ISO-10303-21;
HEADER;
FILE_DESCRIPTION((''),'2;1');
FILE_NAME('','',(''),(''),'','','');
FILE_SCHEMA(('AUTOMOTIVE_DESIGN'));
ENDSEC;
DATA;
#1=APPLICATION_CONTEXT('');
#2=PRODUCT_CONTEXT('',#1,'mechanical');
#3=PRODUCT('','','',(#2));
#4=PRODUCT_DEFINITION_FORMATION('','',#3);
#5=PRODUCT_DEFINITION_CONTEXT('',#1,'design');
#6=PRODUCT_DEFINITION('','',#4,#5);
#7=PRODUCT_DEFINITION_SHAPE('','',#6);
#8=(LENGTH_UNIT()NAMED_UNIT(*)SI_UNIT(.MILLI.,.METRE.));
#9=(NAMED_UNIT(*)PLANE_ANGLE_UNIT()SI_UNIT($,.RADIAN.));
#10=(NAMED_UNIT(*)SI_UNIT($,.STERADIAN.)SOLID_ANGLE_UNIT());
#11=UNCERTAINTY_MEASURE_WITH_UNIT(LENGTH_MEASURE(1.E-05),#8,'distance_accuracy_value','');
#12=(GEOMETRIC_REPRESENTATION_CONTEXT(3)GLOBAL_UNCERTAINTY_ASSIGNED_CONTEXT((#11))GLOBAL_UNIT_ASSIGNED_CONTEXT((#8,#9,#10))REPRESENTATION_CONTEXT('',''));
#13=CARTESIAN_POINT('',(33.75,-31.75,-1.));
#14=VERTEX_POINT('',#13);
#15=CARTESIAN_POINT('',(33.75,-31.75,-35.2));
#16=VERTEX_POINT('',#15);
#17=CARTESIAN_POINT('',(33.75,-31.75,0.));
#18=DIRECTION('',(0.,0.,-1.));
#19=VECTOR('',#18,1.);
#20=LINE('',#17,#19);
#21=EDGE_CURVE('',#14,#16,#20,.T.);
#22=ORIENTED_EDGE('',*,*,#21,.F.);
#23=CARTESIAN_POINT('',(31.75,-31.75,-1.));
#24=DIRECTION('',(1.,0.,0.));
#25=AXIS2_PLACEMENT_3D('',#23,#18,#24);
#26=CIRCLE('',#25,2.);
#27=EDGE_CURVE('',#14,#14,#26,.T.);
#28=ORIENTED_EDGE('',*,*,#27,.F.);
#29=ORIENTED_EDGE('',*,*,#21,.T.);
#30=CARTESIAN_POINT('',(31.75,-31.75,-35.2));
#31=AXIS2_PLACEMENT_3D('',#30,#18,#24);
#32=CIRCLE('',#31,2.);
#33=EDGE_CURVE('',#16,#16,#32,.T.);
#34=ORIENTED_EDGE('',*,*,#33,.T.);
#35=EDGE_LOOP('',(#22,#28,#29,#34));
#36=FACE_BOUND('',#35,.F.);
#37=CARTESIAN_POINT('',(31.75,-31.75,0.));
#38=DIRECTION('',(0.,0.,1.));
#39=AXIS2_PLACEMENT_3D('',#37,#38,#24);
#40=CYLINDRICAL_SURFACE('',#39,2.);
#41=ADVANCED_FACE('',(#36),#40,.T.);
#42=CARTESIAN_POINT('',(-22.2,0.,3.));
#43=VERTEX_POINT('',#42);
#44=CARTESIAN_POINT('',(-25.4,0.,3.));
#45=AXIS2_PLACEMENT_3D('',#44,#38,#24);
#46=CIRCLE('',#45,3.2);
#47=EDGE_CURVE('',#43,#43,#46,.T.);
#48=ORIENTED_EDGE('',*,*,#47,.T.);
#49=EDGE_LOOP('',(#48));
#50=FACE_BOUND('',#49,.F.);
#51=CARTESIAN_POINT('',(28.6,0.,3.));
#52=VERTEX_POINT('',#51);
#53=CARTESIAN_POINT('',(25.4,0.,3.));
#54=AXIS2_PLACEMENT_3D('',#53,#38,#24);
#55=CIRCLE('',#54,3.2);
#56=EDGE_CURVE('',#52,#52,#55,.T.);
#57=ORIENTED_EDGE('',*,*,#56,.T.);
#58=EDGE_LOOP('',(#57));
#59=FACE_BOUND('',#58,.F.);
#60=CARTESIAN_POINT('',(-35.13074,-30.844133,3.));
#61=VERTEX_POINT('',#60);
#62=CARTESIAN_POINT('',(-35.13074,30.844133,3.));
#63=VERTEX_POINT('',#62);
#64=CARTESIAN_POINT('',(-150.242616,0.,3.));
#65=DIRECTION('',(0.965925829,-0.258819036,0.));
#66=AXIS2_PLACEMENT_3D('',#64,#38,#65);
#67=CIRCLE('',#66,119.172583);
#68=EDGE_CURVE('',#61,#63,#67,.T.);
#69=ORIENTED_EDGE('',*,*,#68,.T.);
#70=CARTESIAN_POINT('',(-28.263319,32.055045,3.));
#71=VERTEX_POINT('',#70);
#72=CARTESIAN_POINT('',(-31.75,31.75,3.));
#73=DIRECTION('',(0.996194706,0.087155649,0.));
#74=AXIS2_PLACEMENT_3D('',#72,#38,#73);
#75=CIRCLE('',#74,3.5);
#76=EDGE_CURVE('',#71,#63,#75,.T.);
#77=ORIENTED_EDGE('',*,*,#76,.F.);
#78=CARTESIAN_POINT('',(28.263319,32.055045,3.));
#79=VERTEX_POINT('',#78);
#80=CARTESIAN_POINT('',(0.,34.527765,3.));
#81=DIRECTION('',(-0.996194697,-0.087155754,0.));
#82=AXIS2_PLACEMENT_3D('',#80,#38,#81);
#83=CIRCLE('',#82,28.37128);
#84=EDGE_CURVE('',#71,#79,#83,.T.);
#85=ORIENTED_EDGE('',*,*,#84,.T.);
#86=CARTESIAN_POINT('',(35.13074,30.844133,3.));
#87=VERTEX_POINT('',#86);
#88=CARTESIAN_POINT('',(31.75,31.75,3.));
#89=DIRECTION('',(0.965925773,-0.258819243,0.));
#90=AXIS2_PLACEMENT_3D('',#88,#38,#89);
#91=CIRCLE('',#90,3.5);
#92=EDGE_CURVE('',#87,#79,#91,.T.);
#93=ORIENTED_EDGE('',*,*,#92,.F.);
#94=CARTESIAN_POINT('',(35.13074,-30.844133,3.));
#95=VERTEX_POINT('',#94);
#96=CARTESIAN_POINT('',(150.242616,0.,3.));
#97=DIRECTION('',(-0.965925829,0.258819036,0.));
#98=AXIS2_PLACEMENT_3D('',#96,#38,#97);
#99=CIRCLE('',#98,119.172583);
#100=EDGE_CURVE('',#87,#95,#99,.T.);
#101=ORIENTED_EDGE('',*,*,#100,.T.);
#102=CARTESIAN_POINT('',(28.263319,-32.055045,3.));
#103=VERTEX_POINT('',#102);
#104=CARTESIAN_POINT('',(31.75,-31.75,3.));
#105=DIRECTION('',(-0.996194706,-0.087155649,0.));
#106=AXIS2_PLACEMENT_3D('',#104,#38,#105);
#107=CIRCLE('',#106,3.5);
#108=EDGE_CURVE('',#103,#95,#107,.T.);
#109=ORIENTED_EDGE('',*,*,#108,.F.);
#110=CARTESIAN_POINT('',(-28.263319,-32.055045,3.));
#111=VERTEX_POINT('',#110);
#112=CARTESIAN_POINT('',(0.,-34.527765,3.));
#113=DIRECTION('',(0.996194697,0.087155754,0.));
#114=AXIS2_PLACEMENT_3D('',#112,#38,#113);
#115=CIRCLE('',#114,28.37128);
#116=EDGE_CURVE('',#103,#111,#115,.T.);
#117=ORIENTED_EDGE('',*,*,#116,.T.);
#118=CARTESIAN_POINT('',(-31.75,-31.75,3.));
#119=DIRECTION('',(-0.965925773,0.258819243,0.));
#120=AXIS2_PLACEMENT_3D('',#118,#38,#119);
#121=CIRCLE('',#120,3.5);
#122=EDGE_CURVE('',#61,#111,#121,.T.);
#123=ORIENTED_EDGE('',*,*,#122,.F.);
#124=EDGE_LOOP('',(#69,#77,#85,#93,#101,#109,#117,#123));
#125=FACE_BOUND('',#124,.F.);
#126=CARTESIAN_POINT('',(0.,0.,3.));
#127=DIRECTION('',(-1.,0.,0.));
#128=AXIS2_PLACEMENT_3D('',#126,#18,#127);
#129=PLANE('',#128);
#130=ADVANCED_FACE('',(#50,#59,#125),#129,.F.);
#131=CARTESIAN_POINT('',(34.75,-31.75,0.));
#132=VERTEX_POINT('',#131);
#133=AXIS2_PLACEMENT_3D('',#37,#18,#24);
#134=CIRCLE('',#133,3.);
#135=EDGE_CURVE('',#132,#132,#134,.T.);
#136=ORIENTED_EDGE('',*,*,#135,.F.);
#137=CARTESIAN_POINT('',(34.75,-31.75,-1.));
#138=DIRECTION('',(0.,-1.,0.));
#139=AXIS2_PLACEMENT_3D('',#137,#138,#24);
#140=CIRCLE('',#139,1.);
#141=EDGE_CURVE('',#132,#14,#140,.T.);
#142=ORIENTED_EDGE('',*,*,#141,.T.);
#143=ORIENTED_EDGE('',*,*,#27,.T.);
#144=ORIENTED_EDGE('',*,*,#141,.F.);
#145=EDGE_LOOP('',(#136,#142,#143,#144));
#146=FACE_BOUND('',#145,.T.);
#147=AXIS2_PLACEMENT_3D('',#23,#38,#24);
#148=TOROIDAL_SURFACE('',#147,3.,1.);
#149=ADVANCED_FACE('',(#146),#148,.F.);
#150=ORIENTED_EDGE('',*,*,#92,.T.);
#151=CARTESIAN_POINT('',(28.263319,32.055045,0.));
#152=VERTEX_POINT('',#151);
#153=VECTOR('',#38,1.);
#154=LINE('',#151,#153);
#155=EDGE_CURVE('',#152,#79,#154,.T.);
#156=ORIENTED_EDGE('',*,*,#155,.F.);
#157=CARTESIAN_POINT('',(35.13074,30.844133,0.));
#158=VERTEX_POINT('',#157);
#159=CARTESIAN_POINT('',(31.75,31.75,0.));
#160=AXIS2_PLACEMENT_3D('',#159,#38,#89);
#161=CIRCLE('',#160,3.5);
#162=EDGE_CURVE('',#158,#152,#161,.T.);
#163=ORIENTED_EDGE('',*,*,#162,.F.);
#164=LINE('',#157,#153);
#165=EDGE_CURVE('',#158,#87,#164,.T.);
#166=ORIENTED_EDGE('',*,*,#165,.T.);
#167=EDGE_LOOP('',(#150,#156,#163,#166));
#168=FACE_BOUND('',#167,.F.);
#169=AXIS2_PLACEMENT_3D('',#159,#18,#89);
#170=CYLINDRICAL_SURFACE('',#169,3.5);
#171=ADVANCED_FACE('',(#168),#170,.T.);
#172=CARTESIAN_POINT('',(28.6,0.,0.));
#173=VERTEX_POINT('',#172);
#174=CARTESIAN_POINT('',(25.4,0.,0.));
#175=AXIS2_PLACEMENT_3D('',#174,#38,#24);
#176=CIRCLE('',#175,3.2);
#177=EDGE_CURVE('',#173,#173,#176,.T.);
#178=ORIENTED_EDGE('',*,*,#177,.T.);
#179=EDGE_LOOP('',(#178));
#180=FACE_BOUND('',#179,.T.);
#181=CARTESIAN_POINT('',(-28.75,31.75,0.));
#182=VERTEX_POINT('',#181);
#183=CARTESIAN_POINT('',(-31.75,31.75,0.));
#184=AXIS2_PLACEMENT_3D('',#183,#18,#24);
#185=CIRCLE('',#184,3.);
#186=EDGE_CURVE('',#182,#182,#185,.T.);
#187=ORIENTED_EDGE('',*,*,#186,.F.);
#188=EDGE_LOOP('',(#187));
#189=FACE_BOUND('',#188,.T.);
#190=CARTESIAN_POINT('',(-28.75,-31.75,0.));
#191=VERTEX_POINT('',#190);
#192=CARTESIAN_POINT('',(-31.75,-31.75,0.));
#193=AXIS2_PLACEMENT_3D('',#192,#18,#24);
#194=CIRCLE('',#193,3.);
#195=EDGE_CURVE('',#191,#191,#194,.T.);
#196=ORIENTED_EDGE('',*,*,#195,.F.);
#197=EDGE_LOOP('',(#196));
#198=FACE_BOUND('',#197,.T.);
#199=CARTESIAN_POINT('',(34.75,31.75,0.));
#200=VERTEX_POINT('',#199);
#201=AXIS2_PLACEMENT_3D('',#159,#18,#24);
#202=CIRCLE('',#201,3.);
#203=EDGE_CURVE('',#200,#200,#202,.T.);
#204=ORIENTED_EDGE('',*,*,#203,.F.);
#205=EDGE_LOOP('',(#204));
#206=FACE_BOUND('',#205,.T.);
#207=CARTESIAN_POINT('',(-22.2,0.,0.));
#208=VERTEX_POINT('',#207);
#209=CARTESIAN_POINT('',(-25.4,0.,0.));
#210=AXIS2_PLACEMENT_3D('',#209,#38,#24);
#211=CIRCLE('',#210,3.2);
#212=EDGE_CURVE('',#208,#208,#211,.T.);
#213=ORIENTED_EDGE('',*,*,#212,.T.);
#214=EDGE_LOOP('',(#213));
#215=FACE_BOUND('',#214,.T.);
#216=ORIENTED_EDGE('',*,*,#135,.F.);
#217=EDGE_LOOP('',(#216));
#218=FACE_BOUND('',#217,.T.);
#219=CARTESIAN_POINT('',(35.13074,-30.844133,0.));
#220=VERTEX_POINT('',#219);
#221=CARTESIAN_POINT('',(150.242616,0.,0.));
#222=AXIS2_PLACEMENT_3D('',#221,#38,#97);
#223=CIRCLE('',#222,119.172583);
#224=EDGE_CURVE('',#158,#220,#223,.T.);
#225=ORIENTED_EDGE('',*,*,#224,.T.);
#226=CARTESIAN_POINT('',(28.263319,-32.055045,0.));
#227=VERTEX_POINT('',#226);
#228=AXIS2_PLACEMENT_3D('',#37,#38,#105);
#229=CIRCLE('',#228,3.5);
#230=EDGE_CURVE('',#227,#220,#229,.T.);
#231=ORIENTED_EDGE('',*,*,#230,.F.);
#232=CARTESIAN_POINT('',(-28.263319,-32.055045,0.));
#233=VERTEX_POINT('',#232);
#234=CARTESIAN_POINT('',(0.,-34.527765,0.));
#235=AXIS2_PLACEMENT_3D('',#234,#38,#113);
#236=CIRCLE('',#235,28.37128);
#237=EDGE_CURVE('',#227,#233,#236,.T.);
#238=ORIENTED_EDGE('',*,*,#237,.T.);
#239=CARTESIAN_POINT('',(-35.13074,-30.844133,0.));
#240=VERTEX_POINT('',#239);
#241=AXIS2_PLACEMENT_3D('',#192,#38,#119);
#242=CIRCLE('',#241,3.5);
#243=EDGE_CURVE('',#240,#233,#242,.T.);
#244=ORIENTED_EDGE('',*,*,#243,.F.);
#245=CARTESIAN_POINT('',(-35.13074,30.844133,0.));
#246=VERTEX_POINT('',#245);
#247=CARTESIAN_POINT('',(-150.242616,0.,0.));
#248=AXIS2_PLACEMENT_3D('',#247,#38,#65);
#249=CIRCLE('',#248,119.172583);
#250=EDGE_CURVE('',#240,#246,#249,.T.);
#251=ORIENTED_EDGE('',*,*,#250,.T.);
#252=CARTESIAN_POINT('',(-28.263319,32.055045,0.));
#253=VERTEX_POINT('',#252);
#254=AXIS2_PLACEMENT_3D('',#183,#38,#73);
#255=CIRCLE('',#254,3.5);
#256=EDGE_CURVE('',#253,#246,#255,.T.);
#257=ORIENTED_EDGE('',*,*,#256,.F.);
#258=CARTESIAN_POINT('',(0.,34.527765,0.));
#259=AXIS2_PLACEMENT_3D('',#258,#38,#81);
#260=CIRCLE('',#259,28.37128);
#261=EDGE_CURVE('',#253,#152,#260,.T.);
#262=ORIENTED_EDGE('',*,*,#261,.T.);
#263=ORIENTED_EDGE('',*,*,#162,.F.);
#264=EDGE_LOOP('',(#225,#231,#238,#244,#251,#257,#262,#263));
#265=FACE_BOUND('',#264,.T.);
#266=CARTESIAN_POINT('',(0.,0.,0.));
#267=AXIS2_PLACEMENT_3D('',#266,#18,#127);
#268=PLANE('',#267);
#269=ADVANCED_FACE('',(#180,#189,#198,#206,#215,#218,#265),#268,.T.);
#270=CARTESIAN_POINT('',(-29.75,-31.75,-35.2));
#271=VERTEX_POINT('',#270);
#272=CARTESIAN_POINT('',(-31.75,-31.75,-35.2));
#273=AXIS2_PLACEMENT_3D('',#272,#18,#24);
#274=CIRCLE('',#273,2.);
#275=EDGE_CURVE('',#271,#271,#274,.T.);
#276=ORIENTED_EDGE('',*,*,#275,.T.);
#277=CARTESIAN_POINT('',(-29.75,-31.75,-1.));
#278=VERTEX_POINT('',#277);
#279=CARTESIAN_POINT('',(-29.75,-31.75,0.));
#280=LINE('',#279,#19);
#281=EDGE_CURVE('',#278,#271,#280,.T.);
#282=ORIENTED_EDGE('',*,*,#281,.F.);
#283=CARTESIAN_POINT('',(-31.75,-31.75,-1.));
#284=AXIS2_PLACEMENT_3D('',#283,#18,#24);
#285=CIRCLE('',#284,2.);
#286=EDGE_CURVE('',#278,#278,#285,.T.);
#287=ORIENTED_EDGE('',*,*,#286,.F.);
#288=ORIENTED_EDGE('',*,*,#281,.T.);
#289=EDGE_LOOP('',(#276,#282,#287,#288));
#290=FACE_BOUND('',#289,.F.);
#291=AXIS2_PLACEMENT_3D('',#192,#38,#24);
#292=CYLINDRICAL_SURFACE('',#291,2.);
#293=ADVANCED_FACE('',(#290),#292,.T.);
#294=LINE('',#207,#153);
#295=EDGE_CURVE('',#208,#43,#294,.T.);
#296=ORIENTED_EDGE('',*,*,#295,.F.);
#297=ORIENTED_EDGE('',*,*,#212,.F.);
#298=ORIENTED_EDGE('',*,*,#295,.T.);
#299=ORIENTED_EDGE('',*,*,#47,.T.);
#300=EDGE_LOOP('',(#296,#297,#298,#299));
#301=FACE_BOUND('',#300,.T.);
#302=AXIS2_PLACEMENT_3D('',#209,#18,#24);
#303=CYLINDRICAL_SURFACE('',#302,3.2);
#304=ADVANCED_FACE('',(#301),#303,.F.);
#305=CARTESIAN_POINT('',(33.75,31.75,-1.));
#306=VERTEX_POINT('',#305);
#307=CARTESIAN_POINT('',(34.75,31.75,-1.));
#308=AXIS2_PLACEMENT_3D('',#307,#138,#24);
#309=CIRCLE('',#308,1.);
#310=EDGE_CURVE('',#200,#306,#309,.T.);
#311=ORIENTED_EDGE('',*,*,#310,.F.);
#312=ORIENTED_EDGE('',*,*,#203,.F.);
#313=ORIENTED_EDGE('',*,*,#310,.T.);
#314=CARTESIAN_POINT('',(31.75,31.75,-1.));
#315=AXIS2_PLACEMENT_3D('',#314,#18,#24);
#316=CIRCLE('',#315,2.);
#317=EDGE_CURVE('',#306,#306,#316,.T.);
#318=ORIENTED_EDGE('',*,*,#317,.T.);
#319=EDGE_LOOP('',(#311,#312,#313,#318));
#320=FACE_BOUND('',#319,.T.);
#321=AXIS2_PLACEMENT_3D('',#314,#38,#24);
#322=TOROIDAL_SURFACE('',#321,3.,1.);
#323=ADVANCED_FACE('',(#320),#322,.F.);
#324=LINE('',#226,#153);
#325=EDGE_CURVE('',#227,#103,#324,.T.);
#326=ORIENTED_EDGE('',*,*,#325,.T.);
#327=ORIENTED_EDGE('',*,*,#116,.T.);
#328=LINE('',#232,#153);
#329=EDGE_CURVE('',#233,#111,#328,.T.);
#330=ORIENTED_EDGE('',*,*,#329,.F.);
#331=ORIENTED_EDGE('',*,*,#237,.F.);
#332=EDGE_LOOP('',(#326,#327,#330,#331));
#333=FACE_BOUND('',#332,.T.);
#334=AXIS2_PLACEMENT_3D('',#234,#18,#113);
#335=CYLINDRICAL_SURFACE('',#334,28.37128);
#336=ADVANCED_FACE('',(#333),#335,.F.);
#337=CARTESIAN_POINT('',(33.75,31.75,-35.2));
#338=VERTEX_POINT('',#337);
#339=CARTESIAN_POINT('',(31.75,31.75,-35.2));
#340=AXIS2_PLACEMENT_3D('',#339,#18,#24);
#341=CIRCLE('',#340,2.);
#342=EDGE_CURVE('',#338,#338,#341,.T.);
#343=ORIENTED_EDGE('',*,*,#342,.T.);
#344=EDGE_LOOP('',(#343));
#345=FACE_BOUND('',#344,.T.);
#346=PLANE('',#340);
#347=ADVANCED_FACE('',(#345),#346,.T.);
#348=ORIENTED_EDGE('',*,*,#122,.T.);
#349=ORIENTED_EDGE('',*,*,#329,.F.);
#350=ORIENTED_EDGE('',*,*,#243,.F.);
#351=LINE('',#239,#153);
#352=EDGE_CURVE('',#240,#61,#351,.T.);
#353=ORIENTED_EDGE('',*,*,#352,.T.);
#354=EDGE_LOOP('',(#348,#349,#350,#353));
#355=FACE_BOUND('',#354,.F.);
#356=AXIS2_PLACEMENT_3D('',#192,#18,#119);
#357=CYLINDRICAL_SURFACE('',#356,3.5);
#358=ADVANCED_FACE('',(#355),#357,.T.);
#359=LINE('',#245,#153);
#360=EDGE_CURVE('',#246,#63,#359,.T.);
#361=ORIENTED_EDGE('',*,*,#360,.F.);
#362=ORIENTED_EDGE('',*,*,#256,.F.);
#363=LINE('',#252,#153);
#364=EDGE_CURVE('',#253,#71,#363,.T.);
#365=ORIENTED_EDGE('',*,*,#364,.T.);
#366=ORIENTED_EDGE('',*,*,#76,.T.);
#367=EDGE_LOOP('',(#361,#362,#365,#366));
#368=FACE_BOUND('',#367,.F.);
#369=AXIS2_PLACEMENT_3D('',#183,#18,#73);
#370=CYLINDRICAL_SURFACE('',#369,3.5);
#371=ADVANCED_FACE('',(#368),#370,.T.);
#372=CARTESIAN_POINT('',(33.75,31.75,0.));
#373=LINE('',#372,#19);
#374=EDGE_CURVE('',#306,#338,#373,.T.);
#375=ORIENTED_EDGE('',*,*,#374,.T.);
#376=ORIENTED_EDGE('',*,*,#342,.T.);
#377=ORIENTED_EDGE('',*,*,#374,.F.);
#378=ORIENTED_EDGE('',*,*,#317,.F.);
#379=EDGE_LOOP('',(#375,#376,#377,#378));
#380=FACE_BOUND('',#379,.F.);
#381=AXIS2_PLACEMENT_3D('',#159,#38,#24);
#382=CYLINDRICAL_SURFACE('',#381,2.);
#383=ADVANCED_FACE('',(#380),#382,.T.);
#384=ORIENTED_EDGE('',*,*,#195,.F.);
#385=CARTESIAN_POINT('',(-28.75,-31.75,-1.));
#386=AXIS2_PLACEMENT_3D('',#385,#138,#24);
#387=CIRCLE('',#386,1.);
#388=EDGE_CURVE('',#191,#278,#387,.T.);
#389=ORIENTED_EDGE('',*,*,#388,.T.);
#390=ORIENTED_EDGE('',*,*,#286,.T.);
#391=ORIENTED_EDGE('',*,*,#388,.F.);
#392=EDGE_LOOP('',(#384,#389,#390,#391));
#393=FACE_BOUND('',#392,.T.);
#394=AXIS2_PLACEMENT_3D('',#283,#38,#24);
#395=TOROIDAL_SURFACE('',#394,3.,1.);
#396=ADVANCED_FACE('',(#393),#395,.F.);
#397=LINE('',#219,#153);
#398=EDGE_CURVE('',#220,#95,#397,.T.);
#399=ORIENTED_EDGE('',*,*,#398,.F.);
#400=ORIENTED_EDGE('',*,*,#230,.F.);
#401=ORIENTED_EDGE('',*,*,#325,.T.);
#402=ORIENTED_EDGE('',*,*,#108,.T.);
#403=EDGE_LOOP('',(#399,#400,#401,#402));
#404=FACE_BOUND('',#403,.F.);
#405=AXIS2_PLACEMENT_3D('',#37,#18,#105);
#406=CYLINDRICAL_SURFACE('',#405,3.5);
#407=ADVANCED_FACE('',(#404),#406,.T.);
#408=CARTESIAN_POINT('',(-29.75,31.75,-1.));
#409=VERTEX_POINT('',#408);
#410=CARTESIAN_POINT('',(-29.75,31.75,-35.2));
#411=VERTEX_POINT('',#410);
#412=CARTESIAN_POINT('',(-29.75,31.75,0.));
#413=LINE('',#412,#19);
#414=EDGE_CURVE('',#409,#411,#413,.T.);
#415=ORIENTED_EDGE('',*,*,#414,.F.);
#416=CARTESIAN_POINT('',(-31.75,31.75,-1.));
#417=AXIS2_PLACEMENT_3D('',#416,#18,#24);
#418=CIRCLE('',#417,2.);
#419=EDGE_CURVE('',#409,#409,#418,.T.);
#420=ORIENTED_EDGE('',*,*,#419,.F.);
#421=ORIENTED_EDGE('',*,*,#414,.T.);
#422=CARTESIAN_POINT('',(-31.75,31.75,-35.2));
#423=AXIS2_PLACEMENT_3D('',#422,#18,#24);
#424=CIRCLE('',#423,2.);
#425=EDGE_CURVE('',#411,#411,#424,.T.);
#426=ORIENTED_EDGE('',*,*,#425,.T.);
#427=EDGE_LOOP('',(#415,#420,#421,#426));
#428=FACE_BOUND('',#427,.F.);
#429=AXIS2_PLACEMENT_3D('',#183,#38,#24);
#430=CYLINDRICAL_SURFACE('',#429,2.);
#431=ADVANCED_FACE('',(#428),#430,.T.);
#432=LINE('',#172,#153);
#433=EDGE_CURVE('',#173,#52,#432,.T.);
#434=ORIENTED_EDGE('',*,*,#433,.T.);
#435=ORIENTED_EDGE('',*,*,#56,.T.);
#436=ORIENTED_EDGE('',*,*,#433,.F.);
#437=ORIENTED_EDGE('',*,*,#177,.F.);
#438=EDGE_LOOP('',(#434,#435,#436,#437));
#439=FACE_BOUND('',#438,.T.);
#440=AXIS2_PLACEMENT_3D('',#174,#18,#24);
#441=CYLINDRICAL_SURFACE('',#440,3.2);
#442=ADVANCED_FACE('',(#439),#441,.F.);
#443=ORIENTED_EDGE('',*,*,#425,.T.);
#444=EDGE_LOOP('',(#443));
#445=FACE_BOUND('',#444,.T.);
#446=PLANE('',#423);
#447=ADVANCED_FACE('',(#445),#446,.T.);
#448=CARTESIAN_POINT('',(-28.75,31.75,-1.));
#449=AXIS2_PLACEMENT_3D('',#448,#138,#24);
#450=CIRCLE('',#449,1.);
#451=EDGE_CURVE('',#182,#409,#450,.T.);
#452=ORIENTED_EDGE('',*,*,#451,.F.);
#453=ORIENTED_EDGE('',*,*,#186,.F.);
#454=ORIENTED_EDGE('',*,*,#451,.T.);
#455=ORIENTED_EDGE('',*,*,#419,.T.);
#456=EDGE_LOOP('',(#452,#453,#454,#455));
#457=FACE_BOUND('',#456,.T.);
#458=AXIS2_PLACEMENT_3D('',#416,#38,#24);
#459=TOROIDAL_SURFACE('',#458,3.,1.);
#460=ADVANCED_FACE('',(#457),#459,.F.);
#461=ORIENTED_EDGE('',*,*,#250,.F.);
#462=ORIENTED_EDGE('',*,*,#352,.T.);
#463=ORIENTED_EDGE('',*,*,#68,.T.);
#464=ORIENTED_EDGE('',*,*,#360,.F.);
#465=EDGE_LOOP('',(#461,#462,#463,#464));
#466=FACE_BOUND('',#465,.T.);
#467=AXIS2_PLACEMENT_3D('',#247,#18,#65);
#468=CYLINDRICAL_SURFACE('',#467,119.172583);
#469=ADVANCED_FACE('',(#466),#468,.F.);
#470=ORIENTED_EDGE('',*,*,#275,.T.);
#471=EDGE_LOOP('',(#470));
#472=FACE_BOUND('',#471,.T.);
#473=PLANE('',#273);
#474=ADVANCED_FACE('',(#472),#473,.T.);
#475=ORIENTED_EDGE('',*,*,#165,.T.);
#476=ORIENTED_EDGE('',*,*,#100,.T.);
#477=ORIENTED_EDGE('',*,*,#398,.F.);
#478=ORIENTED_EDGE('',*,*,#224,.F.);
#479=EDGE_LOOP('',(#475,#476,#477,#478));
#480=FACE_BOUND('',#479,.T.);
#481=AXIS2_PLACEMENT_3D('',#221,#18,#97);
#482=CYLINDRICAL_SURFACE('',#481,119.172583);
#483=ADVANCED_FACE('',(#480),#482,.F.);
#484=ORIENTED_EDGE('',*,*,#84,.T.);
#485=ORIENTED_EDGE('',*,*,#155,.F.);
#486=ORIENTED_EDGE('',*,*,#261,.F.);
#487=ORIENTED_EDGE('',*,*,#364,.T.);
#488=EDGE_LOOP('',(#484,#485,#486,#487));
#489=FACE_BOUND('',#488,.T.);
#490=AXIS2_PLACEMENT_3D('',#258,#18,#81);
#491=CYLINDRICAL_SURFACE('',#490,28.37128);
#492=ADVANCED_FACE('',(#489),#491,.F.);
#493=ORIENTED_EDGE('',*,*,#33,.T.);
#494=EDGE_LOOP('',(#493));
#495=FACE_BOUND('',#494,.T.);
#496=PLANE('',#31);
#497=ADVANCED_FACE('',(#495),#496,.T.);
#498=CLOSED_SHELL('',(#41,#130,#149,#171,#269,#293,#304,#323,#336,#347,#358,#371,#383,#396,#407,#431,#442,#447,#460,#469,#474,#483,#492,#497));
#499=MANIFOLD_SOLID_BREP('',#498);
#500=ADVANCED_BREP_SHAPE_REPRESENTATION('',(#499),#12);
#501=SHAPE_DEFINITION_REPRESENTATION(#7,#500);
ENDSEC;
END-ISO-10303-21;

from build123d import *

# Parameters (mm, degrees)
SKETCH_R     = 3.2
PAD_DEPTH    = 3
SKETCH001_R  = 2
PAD001_DEPTH = 35.2
FILLET_R     = 1


with BuildPart() as part:
    # Sketch → Pad (new body)
    with BuildSketch(Plane.XY):
        with BuildLine():
            ThreePointArc((-28.263319, 32.055045), (0, 6.156485), (28.263319, 32.055045))
            ThreePointArc((35.13074, 30.844133), (32.357769, 35.196827), (28.263319, 32.055045))
            ThreePointArc((35.13074, 30.844133), (31.070033, 0), (35.13074, -30.844133))
            ThreePointArc((28.263319, -32.055045), (32.357769, -35.196827), (35.13074, -30.844133))
            ThreePointArc((28.263319, -32.055045), (0, -6.156485), (-28.263319, -32.055045))
            ThreePointArc((-35.13074, -30.844133), (-32.357769, -35.196827), (-28.263319, -32.055045))
            ThreePointArc((-35.13074, -30.844133), (-31.070033, 0), (-35.13074, 30.844133))
            ThreePointArc((-28.263319, 32.055045), (-32.357769, 35.196827), (-35.13074, 30.844133))
        make_face()
        with Locations((-25.4, 0)):
            Circle(SKETCH_R, mode=Mode.SUBTRACT)
        with Locations((25.4, 0)):
            Circle(SKETCH_R, mode=Mode.SUBTRACT)
    extrude(amount=PAD_DEPTH)

    # Sketch001 → Pad001 (join)
    with BuildSketch(Plane(origin=(0, 0, 0), x_dir=(1, 0, 0), z_dir=(0, 0, -1))):
        with Locations((-31.75, 31.75)):
            Circle(SKETCH001_R)
        with Locations((31.75, 31.75)):
            Circle(SKETCH001_R)
        with Locations((-31.75, -31.75)):
            Circle(SKETCH001_R)
        with Locations((31.75, -31.75)):
            Circle(SKETCH001_R)
    extrude(amount=PAD001_DEPTH)

    # Fillet
    fillet_edges = [part.edges().sort_by_distance(p)[0] for p in [
        (29.75, 31.75, 0),
        (29.75, -31.75, 0),
        (-33.75, 31.75, 0),
        (-33.75, -31.75, 0),
    ]]
    fillet(fillet_edges, radius=FILLET_R)


solid = part.part
